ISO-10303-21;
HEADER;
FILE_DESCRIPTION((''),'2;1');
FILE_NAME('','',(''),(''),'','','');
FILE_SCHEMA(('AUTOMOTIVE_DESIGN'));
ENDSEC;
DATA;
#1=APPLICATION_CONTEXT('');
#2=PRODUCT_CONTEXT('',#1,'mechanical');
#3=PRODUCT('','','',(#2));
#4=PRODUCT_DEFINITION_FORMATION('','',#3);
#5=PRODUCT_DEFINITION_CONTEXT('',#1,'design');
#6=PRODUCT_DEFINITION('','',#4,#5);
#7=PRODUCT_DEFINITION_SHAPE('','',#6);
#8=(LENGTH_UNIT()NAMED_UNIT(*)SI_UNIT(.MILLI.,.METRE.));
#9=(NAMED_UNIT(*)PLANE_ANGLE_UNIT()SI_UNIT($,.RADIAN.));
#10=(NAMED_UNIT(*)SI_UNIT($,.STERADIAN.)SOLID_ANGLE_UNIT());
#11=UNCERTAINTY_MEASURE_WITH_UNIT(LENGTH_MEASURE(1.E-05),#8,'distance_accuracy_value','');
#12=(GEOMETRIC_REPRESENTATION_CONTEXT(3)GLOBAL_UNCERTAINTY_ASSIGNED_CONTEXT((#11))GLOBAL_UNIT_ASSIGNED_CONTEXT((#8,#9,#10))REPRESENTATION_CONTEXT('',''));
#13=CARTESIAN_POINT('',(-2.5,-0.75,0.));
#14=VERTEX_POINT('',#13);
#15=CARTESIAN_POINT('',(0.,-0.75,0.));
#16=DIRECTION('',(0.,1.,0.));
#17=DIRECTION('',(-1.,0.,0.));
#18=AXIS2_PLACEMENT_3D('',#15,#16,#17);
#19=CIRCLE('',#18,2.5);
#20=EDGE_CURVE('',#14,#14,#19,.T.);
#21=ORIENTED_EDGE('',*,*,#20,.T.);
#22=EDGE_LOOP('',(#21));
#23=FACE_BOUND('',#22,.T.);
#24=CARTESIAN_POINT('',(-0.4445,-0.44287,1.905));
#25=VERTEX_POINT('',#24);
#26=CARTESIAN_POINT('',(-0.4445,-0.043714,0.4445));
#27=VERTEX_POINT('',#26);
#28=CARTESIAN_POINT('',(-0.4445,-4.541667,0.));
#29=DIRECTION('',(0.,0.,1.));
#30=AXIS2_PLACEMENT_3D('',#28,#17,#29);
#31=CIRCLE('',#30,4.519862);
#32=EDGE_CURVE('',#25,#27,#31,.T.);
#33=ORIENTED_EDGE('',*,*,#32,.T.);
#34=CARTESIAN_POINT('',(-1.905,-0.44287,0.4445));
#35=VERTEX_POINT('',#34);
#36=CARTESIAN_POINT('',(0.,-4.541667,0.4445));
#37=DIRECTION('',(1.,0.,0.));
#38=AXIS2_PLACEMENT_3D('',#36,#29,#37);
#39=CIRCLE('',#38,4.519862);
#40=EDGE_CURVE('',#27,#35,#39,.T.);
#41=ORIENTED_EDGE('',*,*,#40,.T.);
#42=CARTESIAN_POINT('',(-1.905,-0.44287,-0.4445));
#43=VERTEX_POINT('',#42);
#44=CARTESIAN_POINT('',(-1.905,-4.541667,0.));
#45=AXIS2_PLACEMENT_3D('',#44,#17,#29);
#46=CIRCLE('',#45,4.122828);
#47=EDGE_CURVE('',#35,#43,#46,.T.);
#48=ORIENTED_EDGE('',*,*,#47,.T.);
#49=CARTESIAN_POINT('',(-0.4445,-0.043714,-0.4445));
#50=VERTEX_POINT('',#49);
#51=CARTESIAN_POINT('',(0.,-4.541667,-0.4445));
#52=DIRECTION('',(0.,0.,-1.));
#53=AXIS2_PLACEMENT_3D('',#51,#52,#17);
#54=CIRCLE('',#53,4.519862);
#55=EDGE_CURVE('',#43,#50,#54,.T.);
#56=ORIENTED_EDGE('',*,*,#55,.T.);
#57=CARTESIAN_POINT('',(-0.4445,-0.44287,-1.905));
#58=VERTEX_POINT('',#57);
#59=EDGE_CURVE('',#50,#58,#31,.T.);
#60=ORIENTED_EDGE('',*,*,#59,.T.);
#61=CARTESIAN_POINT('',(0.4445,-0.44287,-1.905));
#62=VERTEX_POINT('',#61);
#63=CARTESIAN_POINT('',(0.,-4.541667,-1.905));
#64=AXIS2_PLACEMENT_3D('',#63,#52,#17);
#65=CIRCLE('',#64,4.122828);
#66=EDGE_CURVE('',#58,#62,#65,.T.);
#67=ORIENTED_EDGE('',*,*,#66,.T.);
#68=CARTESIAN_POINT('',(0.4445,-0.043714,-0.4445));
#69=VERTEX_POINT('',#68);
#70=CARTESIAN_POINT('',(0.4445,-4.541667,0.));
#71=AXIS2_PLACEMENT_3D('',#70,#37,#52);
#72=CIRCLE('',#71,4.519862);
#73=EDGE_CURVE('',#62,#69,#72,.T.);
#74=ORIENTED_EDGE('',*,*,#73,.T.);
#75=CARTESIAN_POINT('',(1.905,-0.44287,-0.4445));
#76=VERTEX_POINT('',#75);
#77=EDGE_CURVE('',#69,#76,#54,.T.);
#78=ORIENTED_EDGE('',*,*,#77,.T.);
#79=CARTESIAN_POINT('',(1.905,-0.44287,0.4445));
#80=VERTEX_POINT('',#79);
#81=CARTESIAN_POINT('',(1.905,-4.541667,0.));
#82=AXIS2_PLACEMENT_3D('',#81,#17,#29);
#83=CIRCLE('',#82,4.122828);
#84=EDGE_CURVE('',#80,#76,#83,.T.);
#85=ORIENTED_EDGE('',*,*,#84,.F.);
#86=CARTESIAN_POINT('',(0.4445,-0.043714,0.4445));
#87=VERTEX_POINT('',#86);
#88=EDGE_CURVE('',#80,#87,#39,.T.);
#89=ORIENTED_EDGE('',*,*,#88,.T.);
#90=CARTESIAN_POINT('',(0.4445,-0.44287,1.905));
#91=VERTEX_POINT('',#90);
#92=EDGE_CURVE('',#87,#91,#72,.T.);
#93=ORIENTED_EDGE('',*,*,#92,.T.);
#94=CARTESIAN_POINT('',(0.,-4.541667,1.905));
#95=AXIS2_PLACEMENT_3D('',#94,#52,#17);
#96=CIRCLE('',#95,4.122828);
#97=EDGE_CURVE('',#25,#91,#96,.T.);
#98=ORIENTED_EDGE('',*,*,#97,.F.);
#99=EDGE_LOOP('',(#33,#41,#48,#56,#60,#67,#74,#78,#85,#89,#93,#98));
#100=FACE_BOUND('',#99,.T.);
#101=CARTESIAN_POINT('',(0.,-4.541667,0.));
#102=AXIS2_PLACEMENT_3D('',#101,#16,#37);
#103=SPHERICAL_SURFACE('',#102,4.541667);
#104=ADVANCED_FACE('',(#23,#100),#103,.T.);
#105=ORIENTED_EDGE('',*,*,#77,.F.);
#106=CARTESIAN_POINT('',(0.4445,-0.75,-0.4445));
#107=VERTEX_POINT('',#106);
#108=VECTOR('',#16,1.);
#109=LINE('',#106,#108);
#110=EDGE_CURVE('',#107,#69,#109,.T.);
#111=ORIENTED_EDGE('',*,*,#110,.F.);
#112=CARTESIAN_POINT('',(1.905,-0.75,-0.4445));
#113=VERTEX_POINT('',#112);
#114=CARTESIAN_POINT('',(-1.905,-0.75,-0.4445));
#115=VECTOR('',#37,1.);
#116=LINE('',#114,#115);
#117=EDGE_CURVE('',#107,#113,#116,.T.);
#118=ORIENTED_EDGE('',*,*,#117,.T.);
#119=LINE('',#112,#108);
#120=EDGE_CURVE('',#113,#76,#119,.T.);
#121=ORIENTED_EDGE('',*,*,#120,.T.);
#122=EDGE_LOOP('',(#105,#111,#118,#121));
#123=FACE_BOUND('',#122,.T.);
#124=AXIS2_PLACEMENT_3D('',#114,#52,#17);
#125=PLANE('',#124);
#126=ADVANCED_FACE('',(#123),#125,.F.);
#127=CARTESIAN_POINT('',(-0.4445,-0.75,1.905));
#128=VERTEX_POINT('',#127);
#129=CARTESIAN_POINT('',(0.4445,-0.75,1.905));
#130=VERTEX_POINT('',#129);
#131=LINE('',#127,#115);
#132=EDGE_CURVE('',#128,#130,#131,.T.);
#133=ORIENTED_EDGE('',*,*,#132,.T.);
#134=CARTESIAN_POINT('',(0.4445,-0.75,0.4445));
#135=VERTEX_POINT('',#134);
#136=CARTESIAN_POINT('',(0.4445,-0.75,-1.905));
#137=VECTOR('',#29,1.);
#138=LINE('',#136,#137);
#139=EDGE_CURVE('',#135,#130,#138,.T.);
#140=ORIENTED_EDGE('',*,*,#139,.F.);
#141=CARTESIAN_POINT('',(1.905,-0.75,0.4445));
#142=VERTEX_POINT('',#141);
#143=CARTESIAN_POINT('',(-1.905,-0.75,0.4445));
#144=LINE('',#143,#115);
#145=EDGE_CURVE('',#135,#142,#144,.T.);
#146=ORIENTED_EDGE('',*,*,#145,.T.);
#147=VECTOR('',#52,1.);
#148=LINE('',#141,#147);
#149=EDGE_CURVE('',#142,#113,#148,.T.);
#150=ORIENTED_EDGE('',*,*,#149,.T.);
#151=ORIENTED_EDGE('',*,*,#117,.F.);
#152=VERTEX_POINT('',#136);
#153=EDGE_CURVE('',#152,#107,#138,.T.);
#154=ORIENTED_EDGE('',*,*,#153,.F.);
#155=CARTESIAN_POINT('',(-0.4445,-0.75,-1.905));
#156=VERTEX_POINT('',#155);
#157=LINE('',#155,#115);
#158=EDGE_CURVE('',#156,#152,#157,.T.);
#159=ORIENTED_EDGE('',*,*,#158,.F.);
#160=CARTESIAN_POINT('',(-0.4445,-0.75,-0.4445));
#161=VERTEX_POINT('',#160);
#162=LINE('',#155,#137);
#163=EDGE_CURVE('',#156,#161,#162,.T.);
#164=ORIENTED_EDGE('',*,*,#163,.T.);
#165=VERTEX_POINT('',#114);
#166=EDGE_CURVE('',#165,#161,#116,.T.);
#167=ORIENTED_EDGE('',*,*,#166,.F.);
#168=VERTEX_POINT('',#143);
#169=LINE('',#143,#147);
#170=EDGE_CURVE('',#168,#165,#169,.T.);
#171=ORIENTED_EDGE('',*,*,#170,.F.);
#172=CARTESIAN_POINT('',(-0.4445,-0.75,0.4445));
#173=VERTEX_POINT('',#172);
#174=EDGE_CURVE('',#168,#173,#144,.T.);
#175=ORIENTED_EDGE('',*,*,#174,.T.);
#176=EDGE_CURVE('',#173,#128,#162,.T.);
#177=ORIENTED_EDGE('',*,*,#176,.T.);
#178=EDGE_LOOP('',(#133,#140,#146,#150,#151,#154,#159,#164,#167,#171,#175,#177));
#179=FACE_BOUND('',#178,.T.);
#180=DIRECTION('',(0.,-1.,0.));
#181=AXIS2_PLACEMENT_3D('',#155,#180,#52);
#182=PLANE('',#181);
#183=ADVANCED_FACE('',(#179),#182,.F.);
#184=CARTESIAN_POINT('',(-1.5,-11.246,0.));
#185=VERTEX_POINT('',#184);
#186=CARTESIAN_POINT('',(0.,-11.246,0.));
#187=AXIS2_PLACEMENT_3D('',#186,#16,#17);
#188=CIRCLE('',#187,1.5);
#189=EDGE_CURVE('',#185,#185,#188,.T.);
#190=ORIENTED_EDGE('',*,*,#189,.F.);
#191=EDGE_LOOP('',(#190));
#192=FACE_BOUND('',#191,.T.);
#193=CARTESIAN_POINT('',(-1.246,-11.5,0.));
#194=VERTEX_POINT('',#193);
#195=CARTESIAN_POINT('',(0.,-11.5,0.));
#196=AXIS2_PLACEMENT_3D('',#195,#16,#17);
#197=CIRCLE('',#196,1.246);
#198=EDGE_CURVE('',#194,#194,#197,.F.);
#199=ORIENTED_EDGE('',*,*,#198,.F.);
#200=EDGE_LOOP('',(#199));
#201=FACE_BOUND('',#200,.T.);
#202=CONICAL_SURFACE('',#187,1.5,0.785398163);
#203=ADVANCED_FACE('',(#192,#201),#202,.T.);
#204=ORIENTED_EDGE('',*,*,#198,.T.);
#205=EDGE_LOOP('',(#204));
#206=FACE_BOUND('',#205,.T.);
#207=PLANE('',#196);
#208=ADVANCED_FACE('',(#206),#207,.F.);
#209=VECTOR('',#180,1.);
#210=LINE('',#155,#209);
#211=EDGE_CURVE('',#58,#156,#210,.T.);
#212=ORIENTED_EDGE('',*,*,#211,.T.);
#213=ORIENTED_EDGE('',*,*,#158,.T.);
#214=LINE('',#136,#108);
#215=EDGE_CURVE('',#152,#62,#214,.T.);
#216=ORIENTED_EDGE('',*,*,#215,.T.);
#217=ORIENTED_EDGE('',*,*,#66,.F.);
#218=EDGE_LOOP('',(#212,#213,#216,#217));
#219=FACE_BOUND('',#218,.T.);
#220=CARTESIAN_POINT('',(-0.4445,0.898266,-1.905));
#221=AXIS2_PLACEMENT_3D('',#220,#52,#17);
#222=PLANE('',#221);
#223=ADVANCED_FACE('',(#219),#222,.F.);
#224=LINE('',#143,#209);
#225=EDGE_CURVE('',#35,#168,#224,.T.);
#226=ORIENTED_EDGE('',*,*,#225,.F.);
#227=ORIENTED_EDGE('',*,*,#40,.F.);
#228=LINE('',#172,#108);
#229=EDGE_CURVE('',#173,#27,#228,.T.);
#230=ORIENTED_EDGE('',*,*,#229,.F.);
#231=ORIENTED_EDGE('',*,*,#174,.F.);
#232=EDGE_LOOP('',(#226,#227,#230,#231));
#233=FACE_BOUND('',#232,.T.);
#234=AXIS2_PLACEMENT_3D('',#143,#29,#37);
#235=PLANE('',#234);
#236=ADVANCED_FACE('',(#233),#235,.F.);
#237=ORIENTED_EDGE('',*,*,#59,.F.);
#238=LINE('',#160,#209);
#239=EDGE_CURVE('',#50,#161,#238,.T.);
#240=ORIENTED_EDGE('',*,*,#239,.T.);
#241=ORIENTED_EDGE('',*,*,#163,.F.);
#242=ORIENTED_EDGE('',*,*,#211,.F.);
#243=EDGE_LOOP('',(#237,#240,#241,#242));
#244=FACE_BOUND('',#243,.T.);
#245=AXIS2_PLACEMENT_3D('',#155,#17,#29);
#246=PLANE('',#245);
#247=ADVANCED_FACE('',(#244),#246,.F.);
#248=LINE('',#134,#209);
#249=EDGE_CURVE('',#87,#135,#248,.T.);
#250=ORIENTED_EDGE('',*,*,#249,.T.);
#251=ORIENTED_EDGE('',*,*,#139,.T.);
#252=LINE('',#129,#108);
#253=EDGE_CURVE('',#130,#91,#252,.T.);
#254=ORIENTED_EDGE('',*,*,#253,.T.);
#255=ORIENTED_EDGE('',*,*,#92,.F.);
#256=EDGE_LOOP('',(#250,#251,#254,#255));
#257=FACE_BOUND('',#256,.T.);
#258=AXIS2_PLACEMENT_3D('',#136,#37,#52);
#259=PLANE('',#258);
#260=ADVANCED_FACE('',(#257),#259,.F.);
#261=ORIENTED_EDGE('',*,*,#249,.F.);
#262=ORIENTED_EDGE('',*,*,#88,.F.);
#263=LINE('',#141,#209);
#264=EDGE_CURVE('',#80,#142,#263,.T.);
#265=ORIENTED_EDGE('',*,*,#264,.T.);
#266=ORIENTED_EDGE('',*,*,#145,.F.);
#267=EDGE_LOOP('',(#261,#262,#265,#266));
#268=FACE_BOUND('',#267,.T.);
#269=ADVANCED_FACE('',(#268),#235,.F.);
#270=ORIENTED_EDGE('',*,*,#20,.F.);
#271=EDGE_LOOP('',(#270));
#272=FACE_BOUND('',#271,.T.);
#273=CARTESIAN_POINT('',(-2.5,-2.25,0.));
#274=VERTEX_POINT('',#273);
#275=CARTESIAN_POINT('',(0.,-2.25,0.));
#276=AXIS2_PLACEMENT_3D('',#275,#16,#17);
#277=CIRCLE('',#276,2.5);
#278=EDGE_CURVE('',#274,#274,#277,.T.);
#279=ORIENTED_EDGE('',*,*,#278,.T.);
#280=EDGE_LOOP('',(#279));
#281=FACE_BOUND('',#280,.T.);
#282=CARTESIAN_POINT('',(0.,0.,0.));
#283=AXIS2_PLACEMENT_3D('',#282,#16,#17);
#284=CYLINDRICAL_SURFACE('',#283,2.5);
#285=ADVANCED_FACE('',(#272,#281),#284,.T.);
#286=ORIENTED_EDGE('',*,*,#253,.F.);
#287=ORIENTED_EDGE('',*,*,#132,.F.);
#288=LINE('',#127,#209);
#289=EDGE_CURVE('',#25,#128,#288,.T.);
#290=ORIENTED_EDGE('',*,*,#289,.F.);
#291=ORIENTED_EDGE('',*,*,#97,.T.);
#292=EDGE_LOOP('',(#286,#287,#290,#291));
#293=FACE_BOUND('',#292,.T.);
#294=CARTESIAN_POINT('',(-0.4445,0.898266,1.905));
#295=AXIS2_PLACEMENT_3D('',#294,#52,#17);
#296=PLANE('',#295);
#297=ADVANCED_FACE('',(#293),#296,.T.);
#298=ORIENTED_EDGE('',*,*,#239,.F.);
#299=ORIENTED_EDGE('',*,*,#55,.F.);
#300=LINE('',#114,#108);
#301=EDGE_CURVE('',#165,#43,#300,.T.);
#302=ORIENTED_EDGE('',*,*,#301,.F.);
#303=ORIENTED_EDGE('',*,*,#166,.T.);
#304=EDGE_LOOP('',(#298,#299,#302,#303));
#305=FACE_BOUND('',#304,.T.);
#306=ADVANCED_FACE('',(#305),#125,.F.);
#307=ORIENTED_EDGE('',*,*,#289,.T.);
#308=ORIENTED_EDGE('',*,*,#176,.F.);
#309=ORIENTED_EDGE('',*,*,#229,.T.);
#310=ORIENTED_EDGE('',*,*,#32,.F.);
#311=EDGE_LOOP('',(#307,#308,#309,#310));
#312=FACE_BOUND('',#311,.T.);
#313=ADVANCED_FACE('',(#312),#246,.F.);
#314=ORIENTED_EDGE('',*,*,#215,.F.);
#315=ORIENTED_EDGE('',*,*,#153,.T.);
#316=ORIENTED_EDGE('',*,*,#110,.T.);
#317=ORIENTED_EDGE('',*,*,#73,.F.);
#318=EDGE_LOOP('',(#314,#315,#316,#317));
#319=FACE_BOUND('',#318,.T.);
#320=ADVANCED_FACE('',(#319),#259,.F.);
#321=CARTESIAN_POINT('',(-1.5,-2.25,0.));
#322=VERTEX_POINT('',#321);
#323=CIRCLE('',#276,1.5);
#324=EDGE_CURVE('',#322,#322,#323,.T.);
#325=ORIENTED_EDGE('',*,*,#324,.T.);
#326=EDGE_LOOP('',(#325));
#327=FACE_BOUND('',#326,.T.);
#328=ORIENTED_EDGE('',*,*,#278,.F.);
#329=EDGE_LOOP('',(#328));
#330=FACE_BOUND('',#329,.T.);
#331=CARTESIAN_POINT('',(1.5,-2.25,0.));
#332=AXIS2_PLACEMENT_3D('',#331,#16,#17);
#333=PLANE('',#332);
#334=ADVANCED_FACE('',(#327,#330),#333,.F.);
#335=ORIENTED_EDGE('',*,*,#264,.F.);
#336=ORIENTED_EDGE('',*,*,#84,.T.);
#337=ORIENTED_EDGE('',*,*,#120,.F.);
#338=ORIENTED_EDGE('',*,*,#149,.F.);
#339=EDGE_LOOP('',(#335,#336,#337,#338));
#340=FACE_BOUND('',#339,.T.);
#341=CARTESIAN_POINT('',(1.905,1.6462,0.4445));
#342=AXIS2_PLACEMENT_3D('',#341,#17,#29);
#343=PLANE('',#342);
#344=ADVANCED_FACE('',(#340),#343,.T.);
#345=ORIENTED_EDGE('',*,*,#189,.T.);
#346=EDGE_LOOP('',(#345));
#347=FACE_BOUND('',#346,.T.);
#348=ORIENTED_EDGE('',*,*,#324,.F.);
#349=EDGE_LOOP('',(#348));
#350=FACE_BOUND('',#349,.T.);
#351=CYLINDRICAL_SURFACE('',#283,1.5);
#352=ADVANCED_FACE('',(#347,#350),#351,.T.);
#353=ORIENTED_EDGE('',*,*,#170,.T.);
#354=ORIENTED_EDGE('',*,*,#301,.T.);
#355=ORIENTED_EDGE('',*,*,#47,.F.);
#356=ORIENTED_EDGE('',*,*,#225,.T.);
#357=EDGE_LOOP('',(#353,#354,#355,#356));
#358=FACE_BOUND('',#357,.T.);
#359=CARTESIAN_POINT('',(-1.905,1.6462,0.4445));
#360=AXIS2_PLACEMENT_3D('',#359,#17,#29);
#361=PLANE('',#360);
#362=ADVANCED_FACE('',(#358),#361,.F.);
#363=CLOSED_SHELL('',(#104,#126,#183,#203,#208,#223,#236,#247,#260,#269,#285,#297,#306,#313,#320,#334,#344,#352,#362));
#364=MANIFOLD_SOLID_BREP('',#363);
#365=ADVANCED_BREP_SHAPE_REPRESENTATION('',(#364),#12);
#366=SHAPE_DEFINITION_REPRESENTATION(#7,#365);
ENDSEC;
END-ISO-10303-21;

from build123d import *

# Parameters (mm, degrees)
SKETCH2_W      = 0.889
SKETCH2_H      = 1.64826619
EXTRUDE1_DEPTH = 1.905
SKETCH3_W      = 0.889
SKETCH3_H      = 2.39619966
EXTRUDE2_DEPTH = 1.905
CHAMFER1_SIZE  = 0.254


with BuildPart() as part:
    # Sketch1 → Revolve1 (revolve)
    with BuildSketch(Plane.XY):
        with BuildLine():
            Line((0, 0), (0, -11.5))
            Line((0, -11.5), (1.5, -11.5))
            Line((1.5, -11.5), (1.5, -2.25))
            Line((1.5, -2.25), (2.5, -2.25))
            Line((2.5, -2.25), (2.5, -0.75))
            ThreePointArc((2.5, -0.75), (1.305038314, -0.191538955), (0, 0))
        make_face()
    revolve(axis=Axis((0, 0, 0), (0, -1, 0)))

    # Sketch2 → Extrude1 (cut, symmetric)
    with BuildSketch(Plane.XY):
        with Locations((0, 0.074133095)):
            Rectangle(SKETCH2_W, SKETCH2_H)
    extrude(amount=EXTRUDE1_DEPTH, both=True, mode=Mode.SUBTRACT)

    # Sketch3 → Extrude2 (cut, symmetric)
    with BuildSketch(Plane(origin=(0, 0, 0), x_dir=(0, 0, -1), z_dir=(1, 0, 0))):
        with Locations((0, 0.44809983)):
            Rectangle(SKETCH3_W, SKETCH3_H)
    extrude(amount=EXTRUDE2_DEPTH, both=True, mode=Mode.SUBTRACT)

    # Chamfer1
    chamfer1_edges = [part.edges().sort_by_distance(p)[0] for p in [
        (-1.5, -11.5, 0),
    ]]
    chamfer(chamfer1_edges, length=CHAMFER1_SIZE)


solid = part.part
